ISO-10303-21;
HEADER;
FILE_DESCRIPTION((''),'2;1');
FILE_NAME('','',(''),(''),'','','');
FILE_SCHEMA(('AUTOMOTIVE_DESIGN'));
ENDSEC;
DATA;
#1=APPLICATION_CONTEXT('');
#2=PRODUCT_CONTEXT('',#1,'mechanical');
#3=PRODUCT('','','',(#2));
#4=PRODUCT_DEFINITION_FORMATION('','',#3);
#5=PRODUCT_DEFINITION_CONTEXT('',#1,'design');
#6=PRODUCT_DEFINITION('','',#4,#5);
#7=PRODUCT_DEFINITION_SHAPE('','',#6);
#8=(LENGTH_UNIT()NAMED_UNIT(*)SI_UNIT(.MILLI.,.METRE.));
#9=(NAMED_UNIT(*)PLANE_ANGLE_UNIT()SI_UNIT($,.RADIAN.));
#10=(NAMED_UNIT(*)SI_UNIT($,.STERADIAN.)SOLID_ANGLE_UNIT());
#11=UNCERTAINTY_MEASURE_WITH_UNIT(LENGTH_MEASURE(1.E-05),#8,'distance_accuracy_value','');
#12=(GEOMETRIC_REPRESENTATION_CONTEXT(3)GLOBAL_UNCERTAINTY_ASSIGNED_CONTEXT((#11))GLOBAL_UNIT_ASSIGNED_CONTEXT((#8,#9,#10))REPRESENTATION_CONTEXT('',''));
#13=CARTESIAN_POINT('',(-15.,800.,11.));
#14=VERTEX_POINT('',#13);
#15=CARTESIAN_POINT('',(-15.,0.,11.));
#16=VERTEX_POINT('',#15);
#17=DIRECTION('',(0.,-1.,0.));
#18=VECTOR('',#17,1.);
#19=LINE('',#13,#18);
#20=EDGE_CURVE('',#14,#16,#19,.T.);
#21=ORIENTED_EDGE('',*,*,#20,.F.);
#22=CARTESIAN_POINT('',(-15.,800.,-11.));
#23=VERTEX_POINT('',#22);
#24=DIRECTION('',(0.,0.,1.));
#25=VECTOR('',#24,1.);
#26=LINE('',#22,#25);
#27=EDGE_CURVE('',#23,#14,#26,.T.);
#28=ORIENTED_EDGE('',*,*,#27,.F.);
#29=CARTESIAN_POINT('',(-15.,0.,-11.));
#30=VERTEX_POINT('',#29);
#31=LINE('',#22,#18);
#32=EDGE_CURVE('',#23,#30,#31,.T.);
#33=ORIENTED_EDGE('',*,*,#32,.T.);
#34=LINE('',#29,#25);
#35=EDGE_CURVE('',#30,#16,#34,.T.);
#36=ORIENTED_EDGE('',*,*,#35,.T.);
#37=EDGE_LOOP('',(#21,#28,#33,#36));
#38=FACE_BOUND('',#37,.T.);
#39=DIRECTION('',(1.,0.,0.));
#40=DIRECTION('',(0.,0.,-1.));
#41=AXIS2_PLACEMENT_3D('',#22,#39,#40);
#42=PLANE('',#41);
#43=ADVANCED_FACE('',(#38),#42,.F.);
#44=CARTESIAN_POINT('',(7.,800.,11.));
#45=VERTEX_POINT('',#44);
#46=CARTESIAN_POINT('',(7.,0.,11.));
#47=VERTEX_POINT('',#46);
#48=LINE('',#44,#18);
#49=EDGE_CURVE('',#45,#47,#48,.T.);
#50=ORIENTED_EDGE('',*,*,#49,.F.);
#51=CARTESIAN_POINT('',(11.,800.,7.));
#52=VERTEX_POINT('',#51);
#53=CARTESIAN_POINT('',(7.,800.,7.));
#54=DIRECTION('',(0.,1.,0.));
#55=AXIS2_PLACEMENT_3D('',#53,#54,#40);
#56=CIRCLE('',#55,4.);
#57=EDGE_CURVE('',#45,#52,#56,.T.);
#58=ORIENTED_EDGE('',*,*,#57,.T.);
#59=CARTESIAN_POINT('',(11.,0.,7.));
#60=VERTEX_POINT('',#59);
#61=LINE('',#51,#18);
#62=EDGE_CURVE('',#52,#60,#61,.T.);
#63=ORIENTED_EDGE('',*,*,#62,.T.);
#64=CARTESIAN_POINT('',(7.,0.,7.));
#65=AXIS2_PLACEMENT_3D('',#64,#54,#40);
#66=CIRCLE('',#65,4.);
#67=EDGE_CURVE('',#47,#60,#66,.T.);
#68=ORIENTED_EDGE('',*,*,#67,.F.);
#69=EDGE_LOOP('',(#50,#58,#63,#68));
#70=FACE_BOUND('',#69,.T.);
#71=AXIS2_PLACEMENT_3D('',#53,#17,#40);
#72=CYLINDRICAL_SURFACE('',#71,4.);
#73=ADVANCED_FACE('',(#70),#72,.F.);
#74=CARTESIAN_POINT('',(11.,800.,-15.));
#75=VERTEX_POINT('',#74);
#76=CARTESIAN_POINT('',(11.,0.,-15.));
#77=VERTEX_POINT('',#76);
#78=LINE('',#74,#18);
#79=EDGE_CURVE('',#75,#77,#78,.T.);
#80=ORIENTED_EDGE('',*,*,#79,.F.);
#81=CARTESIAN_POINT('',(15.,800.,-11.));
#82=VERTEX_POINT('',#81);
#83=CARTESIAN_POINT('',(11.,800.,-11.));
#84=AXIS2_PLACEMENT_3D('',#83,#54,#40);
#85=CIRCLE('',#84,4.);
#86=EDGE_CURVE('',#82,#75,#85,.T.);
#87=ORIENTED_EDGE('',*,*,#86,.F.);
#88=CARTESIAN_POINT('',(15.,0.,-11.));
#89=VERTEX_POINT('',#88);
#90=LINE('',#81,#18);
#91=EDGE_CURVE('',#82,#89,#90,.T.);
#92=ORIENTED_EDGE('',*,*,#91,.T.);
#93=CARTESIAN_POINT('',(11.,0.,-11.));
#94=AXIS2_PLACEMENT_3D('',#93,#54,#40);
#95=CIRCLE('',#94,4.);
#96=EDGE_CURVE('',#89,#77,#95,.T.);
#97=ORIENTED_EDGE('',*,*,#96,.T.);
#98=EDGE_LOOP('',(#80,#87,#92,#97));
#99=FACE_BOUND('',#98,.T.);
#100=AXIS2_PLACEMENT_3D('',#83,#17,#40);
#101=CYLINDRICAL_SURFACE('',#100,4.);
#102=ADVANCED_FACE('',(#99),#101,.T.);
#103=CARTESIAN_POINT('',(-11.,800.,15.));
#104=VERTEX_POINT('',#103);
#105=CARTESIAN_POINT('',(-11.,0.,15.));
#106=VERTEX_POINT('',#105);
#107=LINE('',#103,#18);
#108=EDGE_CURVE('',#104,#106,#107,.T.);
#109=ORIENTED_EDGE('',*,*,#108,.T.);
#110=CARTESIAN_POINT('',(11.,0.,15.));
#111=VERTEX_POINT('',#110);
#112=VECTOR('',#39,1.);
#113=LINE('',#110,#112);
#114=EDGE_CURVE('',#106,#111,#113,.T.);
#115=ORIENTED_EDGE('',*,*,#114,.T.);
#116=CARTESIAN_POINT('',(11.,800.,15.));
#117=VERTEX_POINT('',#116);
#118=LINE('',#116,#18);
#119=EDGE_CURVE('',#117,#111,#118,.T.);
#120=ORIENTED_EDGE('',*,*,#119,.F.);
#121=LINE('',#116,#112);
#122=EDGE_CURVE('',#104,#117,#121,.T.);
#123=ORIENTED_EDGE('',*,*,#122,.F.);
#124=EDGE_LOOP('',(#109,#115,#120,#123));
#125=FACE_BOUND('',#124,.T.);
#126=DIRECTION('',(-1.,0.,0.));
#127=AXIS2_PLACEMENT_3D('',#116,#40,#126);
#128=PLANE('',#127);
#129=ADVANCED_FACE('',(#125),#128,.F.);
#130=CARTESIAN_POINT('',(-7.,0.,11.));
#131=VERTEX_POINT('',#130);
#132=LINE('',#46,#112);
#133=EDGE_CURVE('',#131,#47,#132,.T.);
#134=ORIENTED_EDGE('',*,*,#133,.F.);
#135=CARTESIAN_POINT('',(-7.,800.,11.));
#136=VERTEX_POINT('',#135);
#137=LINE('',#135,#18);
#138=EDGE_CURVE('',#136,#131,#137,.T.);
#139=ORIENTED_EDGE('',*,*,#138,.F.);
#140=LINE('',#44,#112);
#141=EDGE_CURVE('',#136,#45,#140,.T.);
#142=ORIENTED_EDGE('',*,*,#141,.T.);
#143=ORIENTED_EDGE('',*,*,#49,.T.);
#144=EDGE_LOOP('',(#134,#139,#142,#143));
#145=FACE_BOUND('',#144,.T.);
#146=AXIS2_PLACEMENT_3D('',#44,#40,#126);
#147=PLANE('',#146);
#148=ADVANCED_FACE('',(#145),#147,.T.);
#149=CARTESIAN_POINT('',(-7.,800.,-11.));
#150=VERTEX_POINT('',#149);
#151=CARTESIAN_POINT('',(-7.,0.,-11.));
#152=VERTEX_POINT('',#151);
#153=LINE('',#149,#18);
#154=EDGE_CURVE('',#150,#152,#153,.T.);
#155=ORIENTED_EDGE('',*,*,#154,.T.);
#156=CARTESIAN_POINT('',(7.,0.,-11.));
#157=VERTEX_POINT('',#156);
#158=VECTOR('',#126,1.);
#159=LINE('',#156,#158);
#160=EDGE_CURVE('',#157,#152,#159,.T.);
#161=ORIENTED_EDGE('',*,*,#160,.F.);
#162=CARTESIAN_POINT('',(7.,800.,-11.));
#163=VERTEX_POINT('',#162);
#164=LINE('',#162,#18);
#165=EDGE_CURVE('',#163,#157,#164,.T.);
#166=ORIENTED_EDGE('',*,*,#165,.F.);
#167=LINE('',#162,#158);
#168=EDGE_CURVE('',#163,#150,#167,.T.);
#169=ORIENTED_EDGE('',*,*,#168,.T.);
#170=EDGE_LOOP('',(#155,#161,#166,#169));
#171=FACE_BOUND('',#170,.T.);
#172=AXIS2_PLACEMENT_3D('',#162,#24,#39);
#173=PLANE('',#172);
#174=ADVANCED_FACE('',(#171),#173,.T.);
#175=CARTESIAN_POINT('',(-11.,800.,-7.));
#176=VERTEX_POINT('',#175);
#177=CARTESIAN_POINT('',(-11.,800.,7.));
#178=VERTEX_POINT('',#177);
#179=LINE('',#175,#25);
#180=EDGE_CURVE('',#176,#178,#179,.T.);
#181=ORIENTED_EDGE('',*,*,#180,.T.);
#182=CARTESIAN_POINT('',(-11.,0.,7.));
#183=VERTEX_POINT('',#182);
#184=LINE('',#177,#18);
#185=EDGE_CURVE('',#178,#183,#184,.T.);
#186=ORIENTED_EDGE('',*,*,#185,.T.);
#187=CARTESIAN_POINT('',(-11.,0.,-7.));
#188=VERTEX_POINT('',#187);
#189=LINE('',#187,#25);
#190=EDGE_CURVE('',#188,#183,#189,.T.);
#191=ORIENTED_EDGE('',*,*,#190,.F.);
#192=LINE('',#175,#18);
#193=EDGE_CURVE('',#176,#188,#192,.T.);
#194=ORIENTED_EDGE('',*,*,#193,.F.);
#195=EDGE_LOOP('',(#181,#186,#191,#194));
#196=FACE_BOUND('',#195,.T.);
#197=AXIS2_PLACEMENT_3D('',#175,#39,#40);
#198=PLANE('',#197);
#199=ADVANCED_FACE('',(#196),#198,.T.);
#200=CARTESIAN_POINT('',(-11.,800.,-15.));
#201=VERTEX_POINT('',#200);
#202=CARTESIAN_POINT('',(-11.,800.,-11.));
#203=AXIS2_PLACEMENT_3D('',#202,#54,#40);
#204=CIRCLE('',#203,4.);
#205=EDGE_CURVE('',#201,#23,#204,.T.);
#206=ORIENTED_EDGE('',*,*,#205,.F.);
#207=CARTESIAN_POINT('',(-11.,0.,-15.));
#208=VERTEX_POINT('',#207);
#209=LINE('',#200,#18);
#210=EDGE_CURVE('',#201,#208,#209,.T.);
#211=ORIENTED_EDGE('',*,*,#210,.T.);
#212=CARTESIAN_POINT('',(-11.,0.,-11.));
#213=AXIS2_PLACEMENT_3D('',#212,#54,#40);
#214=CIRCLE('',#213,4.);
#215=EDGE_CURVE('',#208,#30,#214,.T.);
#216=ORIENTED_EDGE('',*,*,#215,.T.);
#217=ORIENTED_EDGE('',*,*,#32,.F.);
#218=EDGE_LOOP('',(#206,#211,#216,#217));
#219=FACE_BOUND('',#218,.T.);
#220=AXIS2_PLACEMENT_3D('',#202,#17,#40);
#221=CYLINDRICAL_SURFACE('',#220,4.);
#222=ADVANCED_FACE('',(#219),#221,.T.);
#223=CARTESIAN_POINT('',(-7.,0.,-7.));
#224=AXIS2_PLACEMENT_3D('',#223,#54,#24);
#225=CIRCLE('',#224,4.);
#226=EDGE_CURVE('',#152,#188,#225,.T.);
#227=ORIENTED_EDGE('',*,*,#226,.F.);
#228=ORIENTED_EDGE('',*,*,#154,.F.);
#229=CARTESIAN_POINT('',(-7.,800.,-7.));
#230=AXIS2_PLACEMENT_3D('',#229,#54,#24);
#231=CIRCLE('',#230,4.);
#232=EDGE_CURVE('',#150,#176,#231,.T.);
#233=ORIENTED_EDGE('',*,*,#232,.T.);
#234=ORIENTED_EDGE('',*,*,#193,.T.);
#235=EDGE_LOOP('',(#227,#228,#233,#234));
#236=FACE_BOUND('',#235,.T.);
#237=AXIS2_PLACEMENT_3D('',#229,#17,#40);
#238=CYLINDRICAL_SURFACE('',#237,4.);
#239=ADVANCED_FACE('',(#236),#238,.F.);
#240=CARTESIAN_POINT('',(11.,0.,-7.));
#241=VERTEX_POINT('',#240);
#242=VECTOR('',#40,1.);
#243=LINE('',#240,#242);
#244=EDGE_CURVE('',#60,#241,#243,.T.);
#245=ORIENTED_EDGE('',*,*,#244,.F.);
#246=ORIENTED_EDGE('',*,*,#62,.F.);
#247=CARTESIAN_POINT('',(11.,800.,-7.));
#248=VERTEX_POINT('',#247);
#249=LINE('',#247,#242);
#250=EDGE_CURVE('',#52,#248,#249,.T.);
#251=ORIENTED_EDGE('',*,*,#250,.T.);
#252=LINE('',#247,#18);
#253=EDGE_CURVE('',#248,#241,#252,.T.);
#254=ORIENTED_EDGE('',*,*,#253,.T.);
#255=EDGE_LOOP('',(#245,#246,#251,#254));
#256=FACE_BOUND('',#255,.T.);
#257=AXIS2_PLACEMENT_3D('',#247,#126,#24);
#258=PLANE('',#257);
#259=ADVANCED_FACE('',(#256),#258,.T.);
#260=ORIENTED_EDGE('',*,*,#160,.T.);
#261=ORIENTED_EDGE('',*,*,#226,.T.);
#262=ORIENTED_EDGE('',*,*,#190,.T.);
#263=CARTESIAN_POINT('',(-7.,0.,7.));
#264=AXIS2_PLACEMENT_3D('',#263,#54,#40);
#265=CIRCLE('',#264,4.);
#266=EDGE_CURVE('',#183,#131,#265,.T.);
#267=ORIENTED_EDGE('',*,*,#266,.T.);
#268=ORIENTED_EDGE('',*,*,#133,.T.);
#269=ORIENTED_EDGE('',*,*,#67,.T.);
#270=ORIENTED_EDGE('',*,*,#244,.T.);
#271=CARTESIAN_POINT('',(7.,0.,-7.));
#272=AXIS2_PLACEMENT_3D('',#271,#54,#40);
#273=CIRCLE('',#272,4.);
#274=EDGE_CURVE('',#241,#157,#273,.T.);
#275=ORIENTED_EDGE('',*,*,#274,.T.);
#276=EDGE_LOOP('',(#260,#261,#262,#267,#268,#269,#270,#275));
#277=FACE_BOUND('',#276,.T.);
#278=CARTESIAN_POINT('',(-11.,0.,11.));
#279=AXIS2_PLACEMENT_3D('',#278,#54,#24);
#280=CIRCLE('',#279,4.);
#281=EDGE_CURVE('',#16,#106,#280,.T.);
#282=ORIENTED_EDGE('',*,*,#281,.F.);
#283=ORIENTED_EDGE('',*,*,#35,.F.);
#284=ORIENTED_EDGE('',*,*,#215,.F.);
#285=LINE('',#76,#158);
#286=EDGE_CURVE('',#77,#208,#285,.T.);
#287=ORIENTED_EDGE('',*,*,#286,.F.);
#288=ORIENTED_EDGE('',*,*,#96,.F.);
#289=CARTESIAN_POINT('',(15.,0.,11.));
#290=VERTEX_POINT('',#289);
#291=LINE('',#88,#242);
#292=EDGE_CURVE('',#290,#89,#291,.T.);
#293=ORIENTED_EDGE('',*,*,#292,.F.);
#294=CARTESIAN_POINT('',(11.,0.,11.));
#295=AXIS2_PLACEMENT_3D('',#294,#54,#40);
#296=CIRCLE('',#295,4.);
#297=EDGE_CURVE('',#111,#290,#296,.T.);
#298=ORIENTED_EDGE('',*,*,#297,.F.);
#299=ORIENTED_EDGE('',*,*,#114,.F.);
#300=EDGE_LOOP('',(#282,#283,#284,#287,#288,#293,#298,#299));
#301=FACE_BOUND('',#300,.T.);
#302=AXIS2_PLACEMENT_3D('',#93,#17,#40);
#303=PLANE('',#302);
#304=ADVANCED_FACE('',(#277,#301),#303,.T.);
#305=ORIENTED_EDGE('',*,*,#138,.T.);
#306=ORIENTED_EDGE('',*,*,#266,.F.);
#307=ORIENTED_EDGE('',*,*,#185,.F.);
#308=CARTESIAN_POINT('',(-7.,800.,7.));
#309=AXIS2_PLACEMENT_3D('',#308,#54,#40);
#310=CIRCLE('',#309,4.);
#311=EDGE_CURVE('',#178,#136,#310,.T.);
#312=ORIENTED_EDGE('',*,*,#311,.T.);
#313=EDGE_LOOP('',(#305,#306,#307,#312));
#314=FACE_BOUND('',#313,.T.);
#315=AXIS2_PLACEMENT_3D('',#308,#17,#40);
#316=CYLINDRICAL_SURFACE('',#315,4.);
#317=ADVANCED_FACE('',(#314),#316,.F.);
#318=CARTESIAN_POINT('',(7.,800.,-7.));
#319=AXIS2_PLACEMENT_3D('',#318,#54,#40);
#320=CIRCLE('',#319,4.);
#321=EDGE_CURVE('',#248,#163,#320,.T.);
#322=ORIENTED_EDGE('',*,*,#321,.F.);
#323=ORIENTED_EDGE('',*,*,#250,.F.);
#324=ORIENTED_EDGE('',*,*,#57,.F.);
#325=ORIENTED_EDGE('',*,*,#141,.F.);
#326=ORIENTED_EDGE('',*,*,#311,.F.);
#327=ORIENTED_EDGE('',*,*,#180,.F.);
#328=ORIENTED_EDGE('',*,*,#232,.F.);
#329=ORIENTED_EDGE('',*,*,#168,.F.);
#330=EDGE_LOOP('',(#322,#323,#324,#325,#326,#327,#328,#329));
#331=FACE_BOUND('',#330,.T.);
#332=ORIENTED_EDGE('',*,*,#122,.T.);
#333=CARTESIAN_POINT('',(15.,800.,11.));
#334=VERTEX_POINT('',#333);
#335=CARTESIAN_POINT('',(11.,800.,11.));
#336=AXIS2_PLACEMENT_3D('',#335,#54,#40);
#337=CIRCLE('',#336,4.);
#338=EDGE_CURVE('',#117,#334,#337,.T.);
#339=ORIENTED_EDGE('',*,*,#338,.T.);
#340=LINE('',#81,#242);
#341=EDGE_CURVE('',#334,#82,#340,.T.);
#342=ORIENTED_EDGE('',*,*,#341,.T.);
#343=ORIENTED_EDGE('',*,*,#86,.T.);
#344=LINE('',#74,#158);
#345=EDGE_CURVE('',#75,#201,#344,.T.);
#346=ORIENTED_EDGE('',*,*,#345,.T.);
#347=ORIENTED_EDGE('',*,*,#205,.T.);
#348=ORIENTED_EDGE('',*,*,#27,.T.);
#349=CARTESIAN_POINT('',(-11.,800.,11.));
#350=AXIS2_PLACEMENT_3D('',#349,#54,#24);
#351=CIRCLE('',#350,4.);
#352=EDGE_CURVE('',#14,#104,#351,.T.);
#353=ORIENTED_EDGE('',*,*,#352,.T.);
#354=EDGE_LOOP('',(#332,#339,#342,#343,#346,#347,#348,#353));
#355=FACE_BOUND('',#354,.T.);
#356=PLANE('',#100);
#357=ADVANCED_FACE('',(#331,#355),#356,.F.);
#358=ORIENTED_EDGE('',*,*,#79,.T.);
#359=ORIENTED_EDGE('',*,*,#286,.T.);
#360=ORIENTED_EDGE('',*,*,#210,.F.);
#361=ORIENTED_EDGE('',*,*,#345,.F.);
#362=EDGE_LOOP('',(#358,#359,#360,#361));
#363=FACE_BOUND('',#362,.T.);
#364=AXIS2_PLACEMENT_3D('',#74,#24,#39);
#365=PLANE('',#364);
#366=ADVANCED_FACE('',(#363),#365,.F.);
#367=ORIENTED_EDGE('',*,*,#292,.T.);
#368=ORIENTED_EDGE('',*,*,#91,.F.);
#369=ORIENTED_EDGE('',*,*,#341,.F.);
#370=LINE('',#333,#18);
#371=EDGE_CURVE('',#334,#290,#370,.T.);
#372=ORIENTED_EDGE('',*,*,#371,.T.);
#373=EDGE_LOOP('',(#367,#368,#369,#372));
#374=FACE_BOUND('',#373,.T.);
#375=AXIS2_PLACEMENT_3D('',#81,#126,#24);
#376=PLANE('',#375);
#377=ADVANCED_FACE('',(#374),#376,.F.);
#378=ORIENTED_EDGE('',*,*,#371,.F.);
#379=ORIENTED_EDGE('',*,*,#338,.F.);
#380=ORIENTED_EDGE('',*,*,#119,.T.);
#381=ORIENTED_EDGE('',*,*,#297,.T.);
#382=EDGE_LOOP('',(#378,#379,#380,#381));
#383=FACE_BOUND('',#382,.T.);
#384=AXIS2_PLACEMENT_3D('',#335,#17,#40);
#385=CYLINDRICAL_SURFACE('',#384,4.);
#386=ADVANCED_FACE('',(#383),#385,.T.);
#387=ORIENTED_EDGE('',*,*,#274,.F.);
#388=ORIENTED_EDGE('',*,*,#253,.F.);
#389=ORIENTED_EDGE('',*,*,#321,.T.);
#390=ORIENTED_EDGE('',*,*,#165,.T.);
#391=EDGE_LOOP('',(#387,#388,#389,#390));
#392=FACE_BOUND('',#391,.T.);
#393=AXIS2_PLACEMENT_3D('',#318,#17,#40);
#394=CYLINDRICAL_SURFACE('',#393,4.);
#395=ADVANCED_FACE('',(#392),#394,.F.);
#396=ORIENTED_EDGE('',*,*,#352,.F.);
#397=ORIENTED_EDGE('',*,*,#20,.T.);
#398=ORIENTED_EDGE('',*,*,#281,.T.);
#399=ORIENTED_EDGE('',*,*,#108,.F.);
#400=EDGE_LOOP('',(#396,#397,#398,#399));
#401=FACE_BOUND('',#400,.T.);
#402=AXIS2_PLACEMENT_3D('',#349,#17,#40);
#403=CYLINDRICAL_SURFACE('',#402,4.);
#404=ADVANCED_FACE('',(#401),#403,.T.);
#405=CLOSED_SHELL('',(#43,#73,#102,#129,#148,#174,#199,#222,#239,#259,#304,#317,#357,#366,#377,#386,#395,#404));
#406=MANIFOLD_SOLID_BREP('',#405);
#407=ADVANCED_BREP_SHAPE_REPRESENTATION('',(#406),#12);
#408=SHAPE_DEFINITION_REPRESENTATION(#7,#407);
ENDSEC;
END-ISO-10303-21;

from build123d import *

# Parameters (mm, degrees)
BOSS_EXTRUDE1_DEPTH = 800


with BuildPart() as part:
    # Sketch1 → Boss-Extrude1 (new body)
    with BuildSketch(Plane(origin=(0, 0, 0), x_dir=(1, 0, 0), z_dir=(0, 1, 0))):
        with BuildLine():
            Line((11, 15), (-11, 15))
            ThreePointArc((-11, 15), (-13.828427125, 13.828427125), (-15, 11))
            Line((-15, 11), (-15, -11))
            ThreePointArc((-15, -11), (-13.828427125, -13.828427125), (-11, -15))
            Line((-11, -15), (11, -15))
            ThreePointArc((11, -15), (13.828427125, -13.828427125), (15, -11))
            Line((15, -11), (15, 11))
            ThreePointArc((15, 11), (13.828427125, 13.828427125), (11, 15))
        make_face()
        with BuildLine():
            Line((7, 11), (-7, 11))
            ThreePointArc((-7, 11), (-9.828427125, 9.828427125), (-11, 7))
            Line((-11, 7), (-11, -7))
            ThreePointArc((-11, -7), (-9.828427125, -9.828427125), (-7, -11))
            Line((-7, -11), (7, -11))
            ThreePointArc((7, -11), (9.828427125, -9.828427125), (11, -7))
            Line((11, -7), (11, 7))
            ThreePointArc((11, 7), (9.828427125, 9.828427125), (7, 11))
        make_face(mode=Mode.SUBTRACT)
    extrude(amount=BOSS_EXTRUDE1_DEPTH)


solid = part.part
